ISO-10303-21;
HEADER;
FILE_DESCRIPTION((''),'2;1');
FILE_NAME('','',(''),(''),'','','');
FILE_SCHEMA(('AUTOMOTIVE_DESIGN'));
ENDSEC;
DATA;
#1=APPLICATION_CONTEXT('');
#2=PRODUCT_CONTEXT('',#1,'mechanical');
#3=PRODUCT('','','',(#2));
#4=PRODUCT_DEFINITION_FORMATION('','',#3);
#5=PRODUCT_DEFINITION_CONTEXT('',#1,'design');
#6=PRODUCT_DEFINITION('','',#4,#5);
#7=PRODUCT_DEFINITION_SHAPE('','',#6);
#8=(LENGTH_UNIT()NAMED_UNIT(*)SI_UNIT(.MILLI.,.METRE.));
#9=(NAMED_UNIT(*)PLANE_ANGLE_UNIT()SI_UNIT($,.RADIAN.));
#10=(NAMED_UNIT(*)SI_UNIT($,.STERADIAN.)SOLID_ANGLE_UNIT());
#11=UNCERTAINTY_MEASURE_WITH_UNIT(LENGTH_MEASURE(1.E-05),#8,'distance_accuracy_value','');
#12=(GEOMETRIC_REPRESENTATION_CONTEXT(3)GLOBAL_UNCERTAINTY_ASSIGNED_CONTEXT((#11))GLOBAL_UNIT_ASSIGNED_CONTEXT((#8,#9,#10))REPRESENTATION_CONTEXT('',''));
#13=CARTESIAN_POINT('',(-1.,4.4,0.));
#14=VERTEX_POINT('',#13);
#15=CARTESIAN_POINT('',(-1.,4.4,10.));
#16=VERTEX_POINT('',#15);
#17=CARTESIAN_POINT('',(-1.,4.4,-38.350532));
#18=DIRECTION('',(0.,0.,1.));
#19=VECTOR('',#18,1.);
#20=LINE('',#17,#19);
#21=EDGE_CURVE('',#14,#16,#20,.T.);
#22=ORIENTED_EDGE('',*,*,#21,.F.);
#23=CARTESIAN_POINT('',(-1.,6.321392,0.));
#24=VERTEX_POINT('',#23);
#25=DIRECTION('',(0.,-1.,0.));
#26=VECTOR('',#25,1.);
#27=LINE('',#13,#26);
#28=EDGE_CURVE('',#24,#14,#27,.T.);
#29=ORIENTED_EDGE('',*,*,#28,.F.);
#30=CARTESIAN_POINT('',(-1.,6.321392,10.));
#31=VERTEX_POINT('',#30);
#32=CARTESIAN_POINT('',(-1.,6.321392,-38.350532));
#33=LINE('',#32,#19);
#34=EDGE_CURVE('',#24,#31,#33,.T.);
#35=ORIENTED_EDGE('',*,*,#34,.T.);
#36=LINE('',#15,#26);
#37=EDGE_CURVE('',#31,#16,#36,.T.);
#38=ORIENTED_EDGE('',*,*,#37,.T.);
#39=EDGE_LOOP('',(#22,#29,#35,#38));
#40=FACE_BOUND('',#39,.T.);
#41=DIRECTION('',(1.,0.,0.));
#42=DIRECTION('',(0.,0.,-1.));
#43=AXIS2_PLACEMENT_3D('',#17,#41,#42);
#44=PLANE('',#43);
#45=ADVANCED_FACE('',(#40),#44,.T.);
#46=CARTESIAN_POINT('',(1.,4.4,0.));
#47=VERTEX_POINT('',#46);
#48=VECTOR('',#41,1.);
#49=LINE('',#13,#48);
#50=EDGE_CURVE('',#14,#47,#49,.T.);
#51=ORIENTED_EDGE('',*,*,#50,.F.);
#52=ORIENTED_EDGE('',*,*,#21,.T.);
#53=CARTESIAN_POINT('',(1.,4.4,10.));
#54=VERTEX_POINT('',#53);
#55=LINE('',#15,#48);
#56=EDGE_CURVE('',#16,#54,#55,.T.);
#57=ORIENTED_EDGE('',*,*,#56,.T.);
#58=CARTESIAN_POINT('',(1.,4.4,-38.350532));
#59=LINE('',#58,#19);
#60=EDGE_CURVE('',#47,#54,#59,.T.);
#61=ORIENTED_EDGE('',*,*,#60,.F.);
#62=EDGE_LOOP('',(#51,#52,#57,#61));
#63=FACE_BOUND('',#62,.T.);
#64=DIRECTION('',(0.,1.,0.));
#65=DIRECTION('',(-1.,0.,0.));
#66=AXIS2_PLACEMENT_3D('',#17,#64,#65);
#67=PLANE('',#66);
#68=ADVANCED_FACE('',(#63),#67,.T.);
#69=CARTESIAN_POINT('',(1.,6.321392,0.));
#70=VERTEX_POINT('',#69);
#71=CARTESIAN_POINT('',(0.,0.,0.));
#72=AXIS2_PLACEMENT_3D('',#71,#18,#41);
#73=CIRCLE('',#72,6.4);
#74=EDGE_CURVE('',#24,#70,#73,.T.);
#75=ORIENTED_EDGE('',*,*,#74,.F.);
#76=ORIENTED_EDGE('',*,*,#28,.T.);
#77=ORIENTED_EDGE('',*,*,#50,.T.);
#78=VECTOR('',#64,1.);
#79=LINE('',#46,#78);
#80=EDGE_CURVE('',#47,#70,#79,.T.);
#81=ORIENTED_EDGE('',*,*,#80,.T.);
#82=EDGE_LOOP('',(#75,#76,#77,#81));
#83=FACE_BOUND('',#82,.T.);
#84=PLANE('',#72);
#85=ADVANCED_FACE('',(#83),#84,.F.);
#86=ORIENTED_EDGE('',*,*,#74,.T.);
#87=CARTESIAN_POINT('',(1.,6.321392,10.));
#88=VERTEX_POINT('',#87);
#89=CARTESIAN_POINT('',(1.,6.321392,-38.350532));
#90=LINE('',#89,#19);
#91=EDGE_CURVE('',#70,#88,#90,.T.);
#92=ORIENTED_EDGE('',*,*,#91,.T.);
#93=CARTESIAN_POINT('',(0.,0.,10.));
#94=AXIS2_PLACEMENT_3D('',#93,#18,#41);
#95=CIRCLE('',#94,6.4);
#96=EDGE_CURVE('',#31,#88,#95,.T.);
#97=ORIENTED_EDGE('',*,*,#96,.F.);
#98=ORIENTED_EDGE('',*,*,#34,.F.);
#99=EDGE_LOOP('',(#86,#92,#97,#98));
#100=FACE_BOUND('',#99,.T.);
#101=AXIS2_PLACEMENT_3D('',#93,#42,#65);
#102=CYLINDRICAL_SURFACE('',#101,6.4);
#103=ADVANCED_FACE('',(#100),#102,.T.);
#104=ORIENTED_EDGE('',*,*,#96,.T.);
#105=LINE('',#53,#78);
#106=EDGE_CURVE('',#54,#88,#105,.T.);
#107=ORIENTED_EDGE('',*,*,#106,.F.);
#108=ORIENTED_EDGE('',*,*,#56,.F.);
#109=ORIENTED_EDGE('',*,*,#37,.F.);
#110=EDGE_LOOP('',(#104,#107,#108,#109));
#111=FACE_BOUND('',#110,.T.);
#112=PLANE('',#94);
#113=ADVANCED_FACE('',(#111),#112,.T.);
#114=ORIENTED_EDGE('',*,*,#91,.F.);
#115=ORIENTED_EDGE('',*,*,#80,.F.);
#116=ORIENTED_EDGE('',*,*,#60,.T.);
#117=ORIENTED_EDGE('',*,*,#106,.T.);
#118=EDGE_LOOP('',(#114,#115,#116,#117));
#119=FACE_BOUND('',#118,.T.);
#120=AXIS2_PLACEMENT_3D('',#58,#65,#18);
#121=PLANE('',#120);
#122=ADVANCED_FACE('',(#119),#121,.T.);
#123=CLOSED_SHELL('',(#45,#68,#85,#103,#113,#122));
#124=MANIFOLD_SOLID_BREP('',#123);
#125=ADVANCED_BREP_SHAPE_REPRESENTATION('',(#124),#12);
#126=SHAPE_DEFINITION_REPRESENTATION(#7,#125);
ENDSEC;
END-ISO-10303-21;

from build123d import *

# Parameters (mm, degrees)
IZIM1_R                     = 6.4
Y_KSEKLIK_EKSTR_ZYON1_DEPTH = 10
KES_EKSTR_ZYON1_DEPTH       = 14.48777224
KES_EKSTR_ZYON1_DEPTH_BACK  = 10


with BuildPart() as part:
    # Çizim1 → Yükseklik-Ekstrüzyon1 (new body)
    with BuildSketch(Plane.XY):
        Circle(IZIM1_R)
    extrude(amount=Y_KSEKLIK_EKSTR_ZYON1_DEPTH)

    # Çizim2 → Kes-Ekstrüzyon1 (cut, two sides: drawn at the far end of the back side and taken through both)
    with BuildSketch(Plane(origin=(0, 0, 0), x_dir=(-1, 0, 0), z_dir=(0, 0, -1)).offset(-KES_EKSTR_ZYON1_DEPTH_BACK)):
        with BuildLine():
            Line((-1, 4.4), (1, 4.4))
            Line((1, 4.4), (1, 6.321392252))
            ThreePointArc((1, 6.321392252), (0, 6.4), (-1, 6.321392252))
            Line((-1, 6.321392252), (-1, 4.4))
        make_face()
    extrude(amount=KES_EKSTR_ZYON1_DEPTH + KES_EKSTR_ZYON1_DEPTH_BACK, mode=Mode.SUBTRACT)


solid = part.part
